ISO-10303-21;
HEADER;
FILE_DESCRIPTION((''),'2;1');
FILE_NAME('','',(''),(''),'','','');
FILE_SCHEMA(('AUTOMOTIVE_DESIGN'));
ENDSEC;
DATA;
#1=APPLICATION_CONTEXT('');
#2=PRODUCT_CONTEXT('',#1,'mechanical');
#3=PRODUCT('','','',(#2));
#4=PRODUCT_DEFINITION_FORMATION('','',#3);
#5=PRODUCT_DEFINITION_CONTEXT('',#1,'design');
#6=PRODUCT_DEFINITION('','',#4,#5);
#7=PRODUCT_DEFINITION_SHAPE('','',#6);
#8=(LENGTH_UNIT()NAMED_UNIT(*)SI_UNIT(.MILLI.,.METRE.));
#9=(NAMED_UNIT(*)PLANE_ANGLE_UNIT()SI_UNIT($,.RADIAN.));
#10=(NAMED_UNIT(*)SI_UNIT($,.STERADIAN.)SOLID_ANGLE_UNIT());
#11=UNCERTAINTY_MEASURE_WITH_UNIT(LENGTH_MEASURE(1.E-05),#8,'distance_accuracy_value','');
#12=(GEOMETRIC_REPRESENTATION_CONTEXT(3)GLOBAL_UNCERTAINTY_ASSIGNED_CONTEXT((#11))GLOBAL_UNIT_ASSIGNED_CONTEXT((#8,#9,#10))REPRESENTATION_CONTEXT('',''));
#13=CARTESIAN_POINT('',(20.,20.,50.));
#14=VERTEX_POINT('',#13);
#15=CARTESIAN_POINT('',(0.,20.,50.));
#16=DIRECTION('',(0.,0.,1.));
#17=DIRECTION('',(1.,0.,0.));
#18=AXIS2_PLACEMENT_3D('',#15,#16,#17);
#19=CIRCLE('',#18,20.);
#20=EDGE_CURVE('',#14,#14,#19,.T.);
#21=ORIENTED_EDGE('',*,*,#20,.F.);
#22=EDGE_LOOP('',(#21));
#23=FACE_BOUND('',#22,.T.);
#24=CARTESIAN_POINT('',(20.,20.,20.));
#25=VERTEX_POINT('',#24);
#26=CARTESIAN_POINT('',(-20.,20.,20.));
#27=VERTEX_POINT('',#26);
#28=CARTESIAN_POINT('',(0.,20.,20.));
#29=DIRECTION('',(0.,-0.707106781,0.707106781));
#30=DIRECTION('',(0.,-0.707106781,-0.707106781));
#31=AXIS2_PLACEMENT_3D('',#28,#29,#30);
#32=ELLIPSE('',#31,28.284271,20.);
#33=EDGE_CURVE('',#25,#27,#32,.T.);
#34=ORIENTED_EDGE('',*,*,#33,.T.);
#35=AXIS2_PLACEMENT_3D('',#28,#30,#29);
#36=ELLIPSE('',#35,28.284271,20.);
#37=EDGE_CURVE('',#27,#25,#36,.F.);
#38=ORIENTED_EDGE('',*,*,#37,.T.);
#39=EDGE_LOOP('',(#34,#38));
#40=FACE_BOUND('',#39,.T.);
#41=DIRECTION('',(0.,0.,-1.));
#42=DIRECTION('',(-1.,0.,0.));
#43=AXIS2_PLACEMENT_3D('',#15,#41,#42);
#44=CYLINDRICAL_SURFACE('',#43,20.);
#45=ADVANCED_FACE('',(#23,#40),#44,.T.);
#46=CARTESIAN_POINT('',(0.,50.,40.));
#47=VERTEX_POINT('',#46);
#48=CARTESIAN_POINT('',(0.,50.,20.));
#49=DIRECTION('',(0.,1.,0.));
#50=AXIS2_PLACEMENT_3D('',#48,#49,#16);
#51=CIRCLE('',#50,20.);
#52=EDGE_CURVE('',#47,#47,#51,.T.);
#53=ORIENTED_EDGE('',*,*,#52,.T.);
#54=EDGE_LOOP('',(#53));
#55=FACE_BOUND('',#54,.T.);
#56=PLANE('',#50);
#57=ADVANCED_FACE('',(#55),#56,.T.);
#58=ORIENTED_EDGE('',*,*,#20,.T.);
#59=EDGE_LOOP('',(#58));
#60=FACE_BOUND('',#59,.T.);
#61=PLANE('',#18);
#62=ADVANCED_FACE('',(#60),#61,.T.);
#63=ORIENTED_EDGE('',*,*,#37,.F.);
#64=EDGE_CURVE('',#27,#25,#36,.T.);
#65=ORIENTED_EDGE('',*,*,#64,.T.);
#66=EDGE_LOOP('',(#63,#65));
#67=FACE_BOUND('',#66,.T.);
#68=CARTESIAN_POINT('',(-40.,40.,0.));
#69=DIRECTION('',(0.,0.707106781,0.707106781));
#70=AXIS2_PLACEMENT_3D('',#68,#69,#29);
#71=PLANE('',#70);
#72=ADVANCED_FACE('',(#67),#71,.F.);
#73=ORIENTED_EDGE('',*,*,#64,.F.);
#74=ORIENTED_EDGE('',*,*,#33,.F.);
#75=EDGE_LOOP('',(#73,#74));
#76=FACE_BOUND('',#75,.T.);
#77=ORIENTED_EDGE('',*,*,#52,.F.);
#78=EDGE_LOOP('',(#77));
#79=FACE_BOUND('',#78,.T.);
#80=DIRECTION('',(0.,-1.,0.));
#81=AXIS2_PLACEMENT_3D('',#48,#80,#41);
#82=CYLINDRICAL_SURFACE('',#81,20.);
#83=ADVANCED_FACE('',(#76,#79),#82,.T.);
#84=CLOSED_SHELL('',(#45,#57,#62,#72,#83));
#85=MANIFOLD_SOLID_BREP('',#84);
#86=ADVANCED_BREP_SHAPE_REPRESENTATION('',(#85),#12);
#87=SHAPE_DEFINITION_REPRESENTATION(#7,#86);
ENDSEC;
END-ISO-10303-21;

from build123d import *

# Parameters (mm, degrees)
SKETCH_3_R          = 20
EXTRUDE_2_DEPTH     = 50
SKETCH_4_R          = 20
EXTRUDE_3_DEPTH     = 50
CUT_EXTRUDE_1_DEPTH = 40
CUT_EXTRUDE_2_DEPTH = 40


with BuildPart() as part:
    # 草图3 → 凸台-拉伸2 (new body)
    with BuildSketch(Plane(origin=(0, 0, 0), x_dir=(1, 0, 0), z_dir=(0, 1, 0))):
        with Locations((0, -20)):
            Circle(SKETCH_3_R)
    extrude(amount=EXTRUDE_2_DEPTH)

    # 草图4 → 凸台-拉伸3 (add)
    with BuildSketch(Plane.XY):
        with Locations((0, 20)):
            Circle(SKETCH_4_R)
    extrude(amount=EXTRUDE_3_DEPTH)

    # 草图5 → 切除-拉伸1 (cut)
    with BuildSketch(Plane(origin=(0, 0, 0), x_dir=(0, 0, -1), z_dir=(1, 0, 0))):
        Polygon((0, 40), (-40, 0), (-40, -16.797302677), (11.409985675, -16.797302677), align=None)
    extrude(amount=-CUT_EXTRUDE_1_DEPTH, mode=Mode.SUBTRACT)

    # 草图6 → 切除-拉伸2 (cut)
    with BuildSketch(Plane.ZY):
        Polygon((0, 40), (40, 0), (42.840082068, -18.175854473), (-20.897665684, -9.087927237), align=None)
    extrude(amount=-CUT_EXTRUDE_2_DEPTH, mode=Mode.SUBTRACT)


solid = part.part
